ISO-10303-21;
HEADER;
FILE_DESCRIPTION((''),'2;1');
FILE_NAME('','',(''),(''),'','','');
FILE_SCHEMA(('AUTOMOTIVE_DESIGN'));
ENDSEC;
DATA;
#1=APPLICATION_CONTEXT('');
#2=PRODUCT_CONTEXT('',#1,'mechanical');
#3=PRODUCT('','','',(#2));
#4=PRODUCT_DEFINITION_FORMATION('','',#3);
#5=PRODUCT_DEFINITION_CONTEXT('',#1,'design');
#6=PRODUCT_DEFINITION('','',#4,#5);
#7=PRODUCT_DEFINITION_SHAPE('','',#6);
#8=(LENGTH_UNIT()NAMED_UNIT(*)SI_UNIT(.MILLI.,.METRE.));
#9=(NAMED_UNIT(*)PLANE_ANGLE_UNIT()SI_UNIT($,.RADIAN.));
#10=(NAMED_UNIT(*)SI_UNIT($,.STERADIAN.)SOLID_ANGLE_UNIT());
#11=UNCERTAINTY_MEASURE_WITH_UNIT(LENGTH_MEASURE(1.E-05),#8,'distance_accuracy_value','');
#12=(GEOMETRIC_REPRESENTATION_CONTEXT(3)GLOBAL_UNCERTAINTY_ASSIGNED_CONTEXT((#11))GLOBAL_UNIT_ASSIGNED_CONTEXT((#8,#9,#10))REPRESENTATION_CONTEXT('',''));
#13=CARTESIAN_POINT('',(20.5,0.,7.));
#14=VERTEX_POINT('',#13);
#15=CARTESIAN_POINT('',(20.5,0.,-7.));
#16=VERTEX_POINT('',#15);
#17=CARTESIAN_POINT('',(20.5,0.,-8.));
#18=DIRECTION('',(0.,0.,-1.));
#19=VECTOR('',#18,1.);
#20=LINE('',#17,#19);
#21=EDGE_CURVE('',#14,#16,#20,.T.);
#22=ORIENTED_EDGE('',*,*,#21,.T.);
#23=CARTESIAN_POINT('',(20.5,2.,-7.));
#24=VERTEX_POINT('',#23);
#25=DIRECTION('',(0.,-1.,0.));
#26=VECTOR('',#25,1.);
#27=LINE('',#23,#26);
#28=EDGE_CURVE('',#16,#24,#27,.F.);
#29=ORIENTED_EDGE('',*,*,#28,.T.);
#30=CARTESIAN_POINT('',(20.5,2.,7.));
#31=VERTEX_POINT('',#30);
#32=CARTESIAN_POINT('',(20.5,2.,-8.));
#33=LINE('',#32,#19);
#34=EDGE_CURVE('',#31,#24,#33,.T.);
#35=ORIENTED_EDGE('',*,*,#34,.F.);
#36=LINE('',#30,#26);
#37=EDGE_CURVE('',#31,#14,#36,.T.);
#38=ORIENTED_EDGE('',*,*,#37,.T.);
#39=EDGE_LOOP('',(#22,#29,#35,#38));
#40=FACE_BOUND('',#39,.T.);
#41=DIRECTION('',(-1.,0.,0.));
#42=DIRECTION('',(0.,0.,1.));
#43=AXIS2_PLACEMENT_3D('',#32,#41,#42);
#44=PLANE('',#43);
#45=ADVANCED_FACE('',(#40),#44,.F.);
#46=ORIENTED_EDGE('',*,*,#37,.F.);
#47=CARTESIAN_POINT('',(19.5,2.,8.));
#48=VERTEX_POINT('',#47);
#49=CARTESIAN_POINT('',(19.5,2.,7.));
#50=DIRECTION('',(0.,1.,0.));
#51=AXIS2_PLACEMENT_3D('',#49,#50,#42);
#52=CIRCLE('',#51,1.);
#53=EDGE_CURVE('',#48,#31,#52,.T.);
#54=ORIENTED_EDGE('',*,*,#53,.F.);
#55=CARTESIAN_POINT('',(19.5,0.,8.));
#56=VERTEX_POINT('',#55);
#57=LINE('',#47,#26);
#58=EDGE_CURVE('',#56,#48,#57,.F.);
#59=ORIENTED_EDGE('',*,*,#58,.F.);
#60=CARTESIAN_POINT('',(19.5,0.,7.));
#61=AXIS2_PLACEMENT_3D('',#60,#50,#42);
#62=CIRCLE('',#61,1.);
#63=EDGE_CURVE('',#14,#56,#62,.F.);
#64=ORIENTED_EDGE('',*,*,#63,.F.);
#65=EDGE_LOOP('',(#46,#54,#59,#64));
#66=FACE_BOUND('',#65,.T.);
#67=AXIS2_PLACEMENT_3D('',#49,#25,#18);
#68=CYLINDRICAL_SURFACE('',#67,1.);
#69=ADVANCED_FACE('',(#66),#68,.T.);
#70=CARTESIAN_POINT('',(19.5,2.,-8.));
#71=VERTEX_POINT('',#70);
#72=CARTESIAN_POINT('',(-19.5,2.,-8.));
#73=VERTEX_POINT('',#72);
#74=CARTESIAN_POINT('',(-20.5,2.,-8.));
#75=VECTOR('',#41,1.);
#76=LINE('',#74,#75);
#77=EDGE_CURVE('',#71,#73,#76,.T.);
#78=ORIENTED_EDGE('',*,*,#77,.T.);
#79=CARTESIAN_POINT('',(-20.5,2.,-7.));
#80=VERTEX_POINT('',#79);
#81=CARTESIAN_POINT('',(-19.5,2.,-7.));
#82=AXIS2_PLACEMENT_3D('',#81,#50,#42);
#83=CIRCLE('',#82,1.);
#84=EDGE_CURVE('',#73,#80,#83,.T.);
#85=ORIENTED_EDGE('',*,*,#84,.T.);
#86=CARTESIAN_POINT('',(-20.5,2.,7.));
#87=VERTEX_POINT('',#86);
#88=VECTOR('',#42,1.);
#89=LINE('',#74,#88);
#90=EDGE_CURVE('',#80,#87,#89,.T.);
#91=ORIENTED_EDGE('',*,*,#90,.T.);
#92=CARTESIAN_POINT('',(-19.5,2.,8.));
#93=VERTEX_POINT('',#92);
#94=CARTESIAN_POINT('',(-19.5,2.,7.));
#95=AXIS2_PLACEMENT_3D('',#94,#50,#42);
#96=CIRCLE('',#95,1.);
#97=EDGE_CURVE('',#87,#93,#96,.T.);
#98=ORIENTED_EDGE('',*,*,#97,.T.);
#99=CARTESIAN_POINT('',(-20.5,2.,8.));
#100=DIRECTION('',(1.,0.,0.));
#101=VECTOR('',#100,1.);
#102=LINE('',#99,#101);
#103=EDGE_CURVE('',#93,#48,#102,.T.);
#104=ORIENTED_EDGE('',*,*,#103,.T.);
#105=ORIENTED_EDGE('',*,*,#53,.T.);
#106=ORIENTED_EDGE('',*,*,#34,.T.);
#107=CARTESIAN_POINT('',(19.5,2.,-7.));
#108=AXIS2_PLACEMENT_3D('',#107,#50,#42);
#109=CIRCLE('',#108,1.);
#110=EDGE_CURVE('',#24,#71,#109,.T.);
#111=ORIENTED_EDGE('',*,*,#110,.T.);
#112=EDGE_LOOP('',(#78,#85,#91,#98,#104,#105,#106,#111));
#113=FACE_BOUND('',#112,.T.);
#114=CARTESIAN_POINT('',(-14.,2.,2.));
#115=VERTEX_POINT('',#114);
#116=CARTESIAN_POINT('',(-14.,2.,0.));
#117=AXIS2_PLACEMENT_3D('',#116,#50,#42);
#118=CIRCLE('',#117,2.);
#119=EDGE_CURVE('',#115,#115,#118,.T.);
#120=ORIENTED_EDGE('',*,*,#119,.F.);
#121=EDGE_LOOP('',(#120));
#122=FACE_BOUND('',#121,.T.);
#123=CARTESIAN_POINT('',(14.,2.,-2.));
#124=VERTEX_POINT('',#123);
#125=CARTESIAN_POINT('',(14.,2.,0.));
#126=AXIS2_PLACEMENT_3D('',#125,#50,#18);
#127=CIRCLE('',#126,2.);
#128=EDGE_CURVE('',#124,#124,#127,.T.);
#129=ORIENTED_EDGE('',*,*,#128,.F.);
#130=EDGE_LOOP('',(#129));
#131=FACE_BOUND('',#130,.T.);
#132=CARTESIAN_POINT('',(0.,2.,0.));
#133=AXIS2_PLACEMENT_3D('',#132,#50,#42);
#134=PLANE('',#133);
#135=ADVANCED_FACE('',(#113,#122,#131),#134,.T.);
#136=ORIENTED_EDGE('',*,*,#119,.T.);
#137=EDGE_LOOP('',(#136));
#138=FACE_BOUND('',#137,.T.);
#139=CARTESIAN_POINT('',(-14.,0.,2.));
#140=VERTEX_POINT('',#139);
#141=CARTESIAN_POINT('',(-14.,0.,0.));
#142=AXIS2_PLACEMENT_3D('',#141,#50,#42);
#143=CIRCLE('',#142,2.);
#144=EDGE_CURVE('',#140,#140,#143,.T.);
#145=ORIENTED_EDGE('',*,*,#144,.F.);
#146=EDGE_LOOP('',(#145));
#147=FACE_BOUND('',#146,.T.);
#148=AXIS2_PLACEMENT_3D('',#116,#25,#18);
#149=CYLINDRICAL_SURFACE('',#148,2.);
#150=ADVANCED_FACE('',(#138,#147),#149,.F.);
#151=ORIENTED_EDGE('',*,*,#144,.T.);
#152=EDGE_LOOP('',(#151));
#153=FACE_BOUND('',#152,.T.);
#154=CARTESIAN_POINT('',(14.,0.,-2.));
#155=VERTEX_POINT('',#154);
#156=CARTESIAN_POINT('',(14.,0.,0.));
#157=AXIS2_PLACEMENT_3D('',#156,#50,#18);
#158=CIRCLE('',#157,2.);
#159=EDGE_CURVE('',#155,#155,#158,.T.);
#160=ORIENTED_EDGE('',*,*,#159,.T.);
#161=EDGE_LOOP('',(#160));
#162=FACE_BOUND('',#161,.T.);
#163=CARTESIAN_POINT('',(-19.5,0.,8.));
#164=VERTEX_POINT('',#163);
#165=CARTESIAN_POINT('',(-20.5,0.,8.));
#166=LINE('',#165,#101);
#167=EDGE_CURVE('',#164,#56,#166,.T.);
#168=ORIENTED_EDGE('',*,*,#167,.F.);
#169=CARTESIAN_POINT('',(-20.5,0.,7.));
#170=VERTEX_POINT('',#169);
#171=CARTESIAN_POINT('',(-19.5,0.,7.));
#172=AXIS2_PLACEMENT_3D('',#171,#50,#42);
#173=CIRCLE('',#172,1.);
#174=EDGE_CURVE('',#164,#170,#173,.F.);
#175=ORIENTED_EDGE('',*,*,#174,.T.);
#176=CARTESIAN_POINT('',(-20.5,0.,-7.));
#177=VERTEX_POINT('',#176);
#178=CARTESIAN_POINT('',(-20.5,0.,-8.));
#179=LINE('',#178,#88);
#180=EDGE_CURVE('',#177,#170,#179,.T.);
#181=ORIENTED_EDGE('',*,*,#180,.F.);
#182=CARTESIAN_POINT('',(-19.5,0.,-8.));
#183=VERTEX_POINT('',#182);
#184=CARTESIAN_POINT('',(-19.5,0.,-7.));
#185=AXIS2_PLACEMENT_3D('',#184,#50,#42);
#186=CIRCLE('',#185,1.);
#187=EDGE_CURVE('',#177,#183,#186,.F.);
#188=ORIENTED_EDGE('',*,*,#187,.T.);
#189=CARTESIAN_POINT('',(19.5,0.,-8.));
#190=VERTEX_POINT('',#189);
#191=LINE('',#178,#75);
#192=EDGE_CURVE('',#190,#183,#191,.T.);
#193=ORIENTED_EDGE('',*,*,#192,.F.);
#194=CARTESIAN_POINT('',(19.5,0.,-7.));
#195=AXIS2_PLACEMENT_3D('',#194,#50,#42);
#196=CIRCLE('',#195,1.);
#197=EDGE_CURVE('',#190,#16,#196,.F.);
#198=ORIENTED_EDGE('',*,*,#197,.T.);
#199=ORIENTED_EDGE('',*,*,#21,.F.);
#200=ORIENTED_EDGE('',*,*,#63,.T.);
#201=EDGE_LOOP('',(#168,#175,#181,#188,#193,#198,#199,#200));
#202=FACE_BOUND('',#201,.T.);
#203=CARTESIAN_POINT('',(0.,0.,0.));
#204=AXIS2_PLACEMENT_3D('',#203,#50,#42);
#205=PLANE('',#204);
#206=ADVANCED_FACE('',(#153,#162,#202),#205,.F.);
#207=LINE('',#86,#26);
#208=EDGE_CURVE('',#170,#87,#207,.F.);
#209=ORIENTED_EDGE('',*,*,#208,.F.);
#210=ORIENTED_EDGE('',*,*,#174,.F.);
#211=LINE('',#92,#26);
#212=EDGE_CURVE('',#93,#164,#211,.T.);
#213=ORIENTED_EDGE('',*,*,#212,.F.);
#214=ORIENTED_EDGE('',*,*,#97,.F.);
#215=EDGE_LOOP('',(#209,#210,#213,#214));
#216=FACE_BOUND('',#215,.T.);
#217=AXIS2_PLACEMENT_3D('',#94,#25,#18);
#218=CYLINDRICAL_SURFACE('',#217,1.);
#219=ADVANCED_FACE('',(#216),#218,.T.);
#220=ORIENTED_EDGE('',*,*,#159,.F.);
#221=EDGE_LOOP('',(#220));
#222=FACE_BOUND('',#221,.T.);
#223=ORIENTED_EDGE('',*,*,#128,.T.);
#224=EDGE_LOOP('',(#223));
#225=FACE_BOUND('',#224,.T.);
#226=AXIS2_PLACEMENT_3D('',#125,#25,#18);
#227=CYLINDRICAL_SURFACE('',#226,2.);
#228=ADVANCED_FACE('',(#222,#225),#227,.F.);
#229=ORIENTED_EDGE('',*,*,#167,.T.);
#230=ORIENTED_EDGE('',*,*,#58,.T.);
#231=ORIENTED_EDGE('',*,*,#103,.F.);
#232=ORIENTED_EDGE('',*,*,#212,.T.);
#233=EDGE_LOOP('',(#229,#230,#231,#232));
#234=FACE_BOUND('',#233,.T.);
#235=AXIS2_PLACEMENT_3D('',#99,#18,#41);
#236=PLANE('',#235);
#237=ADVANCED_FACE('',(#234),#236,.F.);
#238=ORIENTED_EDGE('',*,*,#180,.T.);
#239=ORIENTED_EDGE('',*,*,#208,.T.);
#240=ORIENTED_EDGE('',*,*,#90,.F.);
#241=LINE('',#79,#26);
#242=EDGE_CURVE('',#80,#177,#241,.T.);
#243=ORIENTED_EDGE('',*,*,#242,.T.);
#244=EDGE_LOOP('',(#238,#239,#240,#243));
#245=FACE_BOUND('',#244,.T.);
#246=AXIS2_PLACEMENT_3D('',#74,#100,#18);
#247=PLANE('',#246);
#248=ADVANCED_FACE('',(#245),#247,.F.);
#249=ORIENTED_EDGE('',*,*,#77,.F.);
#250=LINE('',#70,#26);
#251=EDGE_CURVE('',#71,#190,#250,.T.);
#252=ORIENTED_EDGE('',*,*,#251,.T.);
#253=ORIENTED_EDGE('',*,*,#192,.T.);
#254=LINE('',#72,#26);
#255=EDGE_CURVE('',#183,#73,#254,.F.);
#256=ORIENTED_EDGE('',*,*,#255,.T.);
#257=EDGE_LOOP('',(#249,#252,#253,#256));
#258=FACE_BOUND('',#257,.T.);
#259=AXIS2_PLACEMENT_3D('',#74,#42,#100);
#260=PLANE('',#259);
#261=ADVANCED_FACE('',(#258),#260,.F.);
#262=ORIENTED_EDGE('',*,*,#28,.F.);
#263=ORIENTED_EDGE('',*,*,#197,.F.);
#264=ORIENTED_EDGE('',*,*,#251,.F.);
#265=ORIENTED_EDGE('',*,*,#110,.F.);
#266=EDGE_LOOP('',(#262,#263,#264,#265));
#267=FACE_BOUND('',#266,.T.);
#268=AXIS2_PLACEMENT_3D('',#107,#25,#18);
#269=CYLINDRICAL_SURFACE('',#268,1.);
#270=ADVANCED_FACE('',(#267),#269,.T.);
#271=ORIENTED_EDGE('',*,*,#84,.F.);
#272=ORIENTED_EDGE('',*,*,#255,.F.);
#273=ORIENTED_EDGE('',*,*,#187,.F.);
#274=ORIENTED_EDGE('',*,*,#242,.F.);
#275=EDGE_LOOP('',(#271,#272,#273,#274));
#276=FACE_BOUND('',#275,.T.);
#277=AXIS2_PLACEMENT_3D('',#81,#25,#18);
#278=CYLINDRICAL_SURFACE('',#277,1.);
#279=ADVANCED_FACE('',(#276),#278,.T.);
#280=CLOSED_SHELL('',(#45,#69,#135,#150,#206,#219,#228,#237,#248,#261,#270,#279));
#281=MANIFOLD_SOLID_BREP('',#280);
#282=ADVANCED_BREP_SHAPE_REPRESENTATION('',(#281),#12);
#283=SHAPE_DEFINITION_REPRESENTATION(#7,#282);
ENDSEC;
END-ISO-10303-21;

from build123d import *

# Parameters (mm, degrees)
SKETCH_1_W      = 41
SKETCH_1_H      = 16
SKETCH_1_R      = 2
EXTRUDE_1_DEPTH = 2
FILLET_1_R      = 1
FILLET_2_R      = 1
FILLET_3_R      = 1
FILLET_4_R      = 1


with BuildPart() as part:
    # 草图1 → 凸台-拉伸1 (new body)
    with BuildSketch(Plane(origin=(0, 0, 0), x_dir=(1, 0, 0), z_dir=(0, 1, 0))):
        Rectangle(SKETCH_1_W, SKETCH_1_H)
        with Locations(Location((-14, 0, 0), (0, 0, 270))):
            Circle(SKETCH_1_R, mode=Mode.SUBTRACT)
        with Locations(Location((14, 0, 0), (0, 0, 90))):
            Circle(SKETCH_1_R, mode=Mode.SUBTRACT)
    extrude(amount=EXTRUDE_1_DEPTH)

    # 圆角1
    fillet_1_edges = [part.edges().sort_by_distance(p)[0] for p in [
        (20.5, 1, 8),
    ]]
    fillet(fillet_1_edges, radius=FILLET_1_R)

    # 圆角2
    fillet_2_edges = [part.edges().sort_by_distance(p)[0] for p in [
        (-20.5, 1, 8),
    ]]
    fillet(fillet_2_edges, radius=FILLET_2_R)

    # 圆角3
    fillet_3_edges = [part.edges().sort_by_distance(p)[0] for p in [
        (-20.5, 1, -8),
    ]]
    fillet(fillet_3_edges, radius=FILLET_3_R)

    # 圆角4
    fillet_4_edges = [part.edges().sort_by_distance(p)[0] for p in [
        (20.5, 1, -8),
    ]]
    fillet(fillet_4_edges, radius=FILLET_4_R)


solid = part.part
